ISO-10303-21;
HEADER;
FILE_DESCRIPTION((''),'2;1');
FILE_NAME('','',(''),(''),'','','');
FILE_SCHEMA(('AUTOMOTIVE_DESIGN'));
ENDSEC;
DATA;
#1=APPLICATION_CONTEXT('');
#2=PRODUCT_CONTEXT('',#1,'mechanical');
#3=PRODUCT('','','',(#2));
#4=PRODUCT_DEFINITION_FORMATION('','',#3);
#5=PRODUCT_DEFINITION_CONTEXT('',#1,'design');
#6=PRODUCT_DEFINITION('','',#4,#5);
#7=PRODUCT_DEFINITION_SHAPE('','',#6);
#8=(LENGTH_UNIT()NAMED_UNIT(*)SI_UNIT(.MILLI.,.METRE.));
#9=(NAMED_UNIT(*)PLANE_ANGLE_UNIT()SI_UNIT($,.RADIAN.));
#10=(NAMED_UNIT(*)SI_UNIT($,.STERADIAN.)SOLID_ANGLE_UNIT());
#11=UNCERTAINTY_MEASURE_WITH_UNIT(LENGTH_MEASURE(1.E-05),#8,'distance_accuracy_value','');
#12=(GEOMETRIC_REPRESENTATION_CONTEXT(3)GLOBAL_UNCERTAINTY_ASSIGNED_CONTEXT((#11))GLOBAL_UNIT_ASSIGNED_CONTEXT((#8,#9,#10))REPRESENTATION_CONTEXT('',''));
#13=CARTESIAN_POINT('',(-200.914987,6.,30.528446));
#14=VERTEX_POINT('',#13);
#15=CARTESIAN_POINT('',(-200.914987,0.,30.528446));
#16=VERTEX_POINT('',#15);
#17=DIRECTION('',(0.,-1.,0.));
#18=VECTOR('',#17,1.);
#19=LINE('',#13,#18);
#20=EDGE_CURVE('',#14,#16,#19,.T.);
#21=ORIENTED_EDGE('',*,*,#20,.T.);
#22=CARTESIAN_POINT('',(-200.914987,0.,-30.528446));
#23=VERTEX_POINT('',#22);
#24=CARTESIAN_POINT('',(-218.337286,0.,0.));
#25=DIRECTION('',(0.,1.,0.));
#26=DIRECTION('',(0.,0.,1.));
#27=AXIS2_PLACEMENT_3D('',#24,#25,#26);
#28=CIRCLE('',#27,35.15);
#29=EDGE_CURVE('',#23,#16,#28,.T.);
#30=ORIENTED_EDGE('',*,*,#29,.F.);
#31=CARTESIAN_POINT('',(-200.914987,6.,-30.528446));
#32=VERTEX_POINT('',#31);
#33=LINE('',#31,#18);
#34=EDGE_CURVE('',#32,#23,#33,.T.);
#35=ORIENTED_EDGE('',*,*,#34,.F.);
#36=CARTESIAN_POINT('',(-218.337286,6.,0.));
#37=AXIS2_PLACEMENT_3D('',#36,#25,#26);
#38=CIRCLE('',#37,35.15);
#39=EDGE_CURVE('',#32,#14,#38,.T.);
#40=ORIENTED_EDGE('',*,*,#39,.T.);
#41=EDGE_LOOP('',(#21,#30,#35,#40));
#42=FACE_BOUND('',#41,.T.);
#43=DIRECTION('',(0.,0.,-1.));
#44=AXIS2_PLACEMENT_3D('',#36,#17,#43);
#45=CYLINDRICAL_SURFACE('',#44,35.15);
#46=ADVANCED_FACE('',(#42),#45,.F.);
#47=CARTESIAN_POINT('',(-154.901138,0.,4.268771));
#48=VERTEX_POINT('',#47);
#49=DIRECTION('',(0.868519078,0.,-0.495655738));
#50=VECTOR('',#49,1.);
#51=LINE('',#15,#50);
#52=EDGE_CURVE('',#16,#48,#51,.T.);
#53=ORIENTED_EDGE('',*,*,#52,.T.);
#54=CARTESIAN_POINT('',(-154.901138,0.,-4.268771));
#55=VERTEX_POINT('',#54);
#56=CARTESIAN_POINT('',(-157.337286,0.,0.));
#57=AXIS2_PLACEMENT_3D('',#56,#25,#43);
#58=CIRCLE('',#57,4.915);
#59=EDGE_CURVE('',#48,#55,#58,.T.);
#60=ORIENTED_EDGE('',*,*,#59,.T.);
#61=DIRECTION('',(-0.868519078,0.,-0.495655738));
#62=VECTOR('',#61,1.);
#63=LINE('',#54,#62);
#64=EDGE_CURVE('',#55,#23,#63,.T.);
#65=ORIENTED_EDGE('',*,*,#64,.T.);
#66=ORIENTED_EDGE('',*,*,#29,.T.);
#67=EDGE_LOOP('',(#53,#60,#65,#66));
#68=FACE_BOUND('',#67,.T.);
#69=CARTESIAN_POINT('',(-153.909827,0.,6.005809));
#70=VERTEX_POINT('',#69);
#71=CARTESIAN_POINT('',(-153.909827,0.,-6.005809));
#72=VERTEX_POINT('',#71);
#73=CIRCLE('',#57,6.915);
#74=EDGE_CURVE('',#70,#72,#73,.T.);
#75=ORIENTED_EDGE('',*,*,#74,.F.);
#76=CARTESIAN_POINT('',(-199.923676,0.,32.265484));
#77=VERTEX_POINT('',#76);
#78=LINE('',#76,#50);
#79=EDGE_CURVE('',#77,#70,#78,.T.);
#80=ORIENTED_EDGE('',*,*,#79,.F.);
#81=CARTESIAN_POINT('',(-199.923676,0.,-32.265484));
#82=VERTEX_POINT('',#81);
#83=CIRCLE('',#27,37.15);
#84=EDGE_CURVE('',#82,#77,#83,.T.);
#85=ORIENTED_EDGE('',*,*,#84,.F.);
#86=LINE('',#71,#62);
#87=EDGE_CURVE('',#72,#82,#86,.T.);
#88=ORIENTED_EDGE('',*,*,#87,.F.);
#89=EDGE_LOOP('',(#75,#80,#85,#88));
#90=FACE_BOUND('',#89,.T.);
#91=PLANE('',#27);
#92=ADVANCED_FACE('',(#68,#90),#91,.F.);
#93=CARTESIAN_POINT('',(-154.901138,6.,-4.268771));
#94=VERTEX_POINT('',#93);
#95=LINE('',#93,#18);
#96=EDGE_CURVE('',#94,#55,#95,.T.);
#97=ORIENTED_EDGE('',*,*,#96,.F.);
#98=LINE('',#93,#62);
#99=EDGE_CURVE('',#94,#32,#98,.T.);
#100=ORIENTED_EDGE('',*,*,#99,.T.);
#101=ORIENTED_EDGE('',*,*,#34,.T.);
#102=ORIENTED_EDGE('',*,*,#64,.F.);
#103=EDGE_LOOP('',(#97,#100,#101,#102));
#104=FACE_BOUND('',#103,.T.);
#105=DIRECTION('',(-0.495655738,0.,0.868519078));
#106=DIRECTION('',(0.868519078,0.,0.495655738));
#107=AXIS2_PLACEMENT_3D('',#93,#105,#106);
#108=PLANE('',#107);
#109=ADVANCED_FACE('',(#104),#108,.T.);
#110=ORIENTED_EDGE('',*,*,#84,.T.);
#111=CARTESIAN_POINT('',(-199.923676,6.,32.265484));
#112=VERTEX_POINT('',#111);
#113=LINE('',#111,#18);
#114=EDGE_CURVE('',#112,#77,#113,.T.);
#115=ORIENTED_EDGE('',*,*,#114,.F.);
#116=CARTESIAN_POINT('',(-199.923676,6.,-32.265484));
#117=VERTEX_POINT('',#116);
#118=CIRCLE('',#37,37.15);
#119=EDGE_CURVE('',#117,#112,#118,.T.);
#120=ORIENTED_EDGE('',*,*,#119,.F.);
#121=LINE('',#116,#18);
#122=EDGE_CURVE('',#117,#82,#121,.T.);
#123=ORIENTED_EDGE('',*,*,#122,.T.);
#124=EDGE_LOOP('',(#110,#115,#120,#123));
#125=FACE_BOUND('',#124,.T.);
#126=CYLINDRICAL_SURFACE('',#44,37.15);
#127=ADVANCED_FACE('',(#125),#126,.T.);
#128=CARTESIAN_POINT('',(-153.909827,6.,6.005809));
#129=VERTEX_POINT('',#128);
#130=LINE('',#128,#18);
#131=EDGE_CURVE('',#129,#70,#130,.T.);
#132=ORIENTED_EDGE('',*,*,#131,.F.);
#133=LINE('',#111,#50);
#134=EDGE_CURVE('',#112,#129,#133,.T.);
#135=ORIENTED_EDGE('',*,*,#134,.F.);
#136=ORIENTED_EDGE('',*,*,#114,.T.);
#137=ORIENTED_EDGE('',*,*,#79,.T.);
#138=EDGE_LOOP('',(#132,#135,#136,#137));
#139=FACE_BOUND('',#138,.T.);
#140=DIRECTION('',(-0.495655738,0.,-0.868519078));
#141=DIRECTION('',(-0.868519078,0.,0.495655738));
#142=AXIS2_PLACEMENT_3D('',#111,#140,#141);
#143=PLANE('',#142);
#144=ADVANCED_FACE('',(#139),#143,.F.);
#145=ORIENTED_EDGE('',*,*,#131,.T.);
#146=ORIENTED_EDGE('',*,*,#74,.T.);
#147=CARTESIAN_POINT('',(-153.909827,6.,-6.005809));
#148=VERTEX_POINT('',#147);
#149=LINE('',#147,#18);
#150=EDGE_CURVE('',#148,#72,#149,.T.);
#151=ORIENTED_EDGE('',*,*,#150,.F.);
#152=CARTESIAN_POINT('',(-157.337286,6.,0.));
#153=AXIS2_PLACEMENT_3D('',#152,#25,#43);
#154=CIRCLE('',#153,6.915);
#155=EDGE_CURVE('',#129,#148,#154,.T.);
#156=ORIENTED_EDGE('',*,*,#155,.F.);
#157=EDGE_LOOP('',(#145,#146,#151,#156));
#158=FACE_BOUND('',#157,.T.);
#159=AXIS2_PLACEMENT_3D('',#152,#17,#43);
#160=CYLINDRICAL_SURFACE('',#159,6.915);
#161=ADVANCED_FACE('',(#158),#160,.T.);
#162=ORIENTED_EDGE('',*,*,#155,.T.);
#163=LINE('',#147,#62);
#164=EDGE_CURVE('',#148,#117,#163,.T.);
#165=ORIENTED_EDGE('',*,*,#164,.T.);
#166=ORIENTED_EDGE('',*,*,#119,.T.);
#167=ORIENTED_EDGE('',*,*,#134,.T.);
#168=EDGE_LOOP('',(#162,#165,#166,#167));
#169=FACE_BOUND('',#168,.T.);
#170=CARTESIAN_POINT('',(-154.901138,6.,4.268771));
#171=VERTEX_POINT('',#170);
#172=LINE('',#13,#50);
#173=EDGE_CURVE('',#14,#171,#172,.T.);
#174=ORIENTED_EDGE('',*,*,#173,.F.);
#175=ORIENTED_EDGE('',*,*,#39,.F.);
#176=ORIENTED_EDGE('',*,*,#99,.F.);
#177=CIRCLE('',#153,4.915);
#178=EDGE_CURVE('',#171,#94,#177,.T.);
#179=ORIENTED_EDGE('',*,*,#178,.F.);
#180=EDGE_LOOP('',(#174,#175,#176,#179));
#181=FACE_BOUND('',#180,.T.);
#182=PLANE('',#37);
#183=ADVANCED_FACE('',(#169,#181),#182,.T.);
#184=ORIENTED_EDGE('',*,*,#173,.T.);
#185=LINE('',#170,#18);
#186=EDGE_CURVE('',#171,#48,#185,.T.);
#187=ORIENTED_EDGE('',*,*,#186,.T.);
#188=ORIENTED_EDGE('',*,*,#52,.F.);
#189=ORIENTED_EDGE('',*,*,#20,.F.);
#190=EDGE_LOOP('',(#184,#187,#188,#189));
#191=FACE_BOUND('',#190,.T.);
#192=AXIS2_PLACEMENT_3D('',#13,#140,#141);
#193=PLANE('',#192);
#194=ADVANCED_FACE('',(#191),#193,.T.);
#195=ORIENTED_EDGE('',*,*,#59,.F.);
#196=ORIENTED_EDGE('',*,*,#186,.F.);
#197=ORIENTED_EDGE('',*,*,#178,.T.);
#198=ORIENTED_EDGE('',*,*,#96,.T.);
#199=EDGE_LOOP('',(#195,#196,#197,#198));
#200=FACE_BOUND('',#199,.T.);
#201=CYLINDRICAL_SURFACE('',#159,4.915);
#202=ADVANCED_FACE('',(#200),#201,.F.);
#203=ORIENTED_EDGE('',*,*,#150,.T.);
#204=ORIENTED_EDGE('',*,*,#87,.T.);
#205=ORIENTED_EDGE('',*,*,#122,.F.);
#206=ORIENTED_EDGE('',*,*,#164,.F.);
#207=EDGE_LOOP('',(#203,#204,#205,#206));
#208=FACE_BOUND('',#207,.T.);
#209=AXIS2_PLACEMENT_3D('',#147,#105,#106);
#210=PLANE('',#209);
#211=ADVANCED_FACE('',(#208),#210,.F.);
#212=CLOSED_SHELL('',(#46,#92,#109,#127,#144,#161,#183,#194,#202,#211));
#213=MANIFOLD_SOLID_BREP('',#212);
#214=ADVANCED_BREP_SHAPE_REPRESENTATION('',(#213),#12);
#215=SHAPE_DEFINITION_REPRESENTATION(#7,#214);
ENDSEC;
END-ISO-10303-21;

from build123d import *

# Parameters (mm, degrees)
BOSS_EXTRUDE1_DEPTH = 6


with BuildPart() as part:
    # Sketch1 → Boss-Extrude1 (new body)
    with BuildSketch(Plane(origin=(0, 0, 0), x_dir=(1, 0, 0), z_dir=(0, 1, 0))):
        with BuildLine():
            Line((-199.92367576, -32.265483765), (-153.909826989, -6.005809428))
            ThreePointArc((-153.909826989, -6.005809428), (-150.422286416, 0), (-153.909826989, 6.005809428))
            Line((-153.909826989, 6.005809428), (-199.92367576, 32.265483765))
            ThreePointArc((-199.92367576, 32.265483765), (-255.487286416, 0), (-199.92367576, -32.265483765))
        make_face()
        with BuildLine():
            Line((-200.914987235, -30.528445609), (-154.901138465, -4.268771271))
            ThreePointArc((-154.901138465, -4.268771271), (-152.422286416, 0), (-154.901138465, 4.268771271))
            Line((-154.901138465, 4.268771271), (-200.914987235, 30.528445609))
            ThreePointArc((-200.914987235, 30.528445609), (-253.487286416, 0), (-200.914987235, -30.528445609))
        make_face(mode=Mode.SUBTRACT)
    extrude(amount=BOSS_EXTRUDE1_DEPTH)


solid = part.part
